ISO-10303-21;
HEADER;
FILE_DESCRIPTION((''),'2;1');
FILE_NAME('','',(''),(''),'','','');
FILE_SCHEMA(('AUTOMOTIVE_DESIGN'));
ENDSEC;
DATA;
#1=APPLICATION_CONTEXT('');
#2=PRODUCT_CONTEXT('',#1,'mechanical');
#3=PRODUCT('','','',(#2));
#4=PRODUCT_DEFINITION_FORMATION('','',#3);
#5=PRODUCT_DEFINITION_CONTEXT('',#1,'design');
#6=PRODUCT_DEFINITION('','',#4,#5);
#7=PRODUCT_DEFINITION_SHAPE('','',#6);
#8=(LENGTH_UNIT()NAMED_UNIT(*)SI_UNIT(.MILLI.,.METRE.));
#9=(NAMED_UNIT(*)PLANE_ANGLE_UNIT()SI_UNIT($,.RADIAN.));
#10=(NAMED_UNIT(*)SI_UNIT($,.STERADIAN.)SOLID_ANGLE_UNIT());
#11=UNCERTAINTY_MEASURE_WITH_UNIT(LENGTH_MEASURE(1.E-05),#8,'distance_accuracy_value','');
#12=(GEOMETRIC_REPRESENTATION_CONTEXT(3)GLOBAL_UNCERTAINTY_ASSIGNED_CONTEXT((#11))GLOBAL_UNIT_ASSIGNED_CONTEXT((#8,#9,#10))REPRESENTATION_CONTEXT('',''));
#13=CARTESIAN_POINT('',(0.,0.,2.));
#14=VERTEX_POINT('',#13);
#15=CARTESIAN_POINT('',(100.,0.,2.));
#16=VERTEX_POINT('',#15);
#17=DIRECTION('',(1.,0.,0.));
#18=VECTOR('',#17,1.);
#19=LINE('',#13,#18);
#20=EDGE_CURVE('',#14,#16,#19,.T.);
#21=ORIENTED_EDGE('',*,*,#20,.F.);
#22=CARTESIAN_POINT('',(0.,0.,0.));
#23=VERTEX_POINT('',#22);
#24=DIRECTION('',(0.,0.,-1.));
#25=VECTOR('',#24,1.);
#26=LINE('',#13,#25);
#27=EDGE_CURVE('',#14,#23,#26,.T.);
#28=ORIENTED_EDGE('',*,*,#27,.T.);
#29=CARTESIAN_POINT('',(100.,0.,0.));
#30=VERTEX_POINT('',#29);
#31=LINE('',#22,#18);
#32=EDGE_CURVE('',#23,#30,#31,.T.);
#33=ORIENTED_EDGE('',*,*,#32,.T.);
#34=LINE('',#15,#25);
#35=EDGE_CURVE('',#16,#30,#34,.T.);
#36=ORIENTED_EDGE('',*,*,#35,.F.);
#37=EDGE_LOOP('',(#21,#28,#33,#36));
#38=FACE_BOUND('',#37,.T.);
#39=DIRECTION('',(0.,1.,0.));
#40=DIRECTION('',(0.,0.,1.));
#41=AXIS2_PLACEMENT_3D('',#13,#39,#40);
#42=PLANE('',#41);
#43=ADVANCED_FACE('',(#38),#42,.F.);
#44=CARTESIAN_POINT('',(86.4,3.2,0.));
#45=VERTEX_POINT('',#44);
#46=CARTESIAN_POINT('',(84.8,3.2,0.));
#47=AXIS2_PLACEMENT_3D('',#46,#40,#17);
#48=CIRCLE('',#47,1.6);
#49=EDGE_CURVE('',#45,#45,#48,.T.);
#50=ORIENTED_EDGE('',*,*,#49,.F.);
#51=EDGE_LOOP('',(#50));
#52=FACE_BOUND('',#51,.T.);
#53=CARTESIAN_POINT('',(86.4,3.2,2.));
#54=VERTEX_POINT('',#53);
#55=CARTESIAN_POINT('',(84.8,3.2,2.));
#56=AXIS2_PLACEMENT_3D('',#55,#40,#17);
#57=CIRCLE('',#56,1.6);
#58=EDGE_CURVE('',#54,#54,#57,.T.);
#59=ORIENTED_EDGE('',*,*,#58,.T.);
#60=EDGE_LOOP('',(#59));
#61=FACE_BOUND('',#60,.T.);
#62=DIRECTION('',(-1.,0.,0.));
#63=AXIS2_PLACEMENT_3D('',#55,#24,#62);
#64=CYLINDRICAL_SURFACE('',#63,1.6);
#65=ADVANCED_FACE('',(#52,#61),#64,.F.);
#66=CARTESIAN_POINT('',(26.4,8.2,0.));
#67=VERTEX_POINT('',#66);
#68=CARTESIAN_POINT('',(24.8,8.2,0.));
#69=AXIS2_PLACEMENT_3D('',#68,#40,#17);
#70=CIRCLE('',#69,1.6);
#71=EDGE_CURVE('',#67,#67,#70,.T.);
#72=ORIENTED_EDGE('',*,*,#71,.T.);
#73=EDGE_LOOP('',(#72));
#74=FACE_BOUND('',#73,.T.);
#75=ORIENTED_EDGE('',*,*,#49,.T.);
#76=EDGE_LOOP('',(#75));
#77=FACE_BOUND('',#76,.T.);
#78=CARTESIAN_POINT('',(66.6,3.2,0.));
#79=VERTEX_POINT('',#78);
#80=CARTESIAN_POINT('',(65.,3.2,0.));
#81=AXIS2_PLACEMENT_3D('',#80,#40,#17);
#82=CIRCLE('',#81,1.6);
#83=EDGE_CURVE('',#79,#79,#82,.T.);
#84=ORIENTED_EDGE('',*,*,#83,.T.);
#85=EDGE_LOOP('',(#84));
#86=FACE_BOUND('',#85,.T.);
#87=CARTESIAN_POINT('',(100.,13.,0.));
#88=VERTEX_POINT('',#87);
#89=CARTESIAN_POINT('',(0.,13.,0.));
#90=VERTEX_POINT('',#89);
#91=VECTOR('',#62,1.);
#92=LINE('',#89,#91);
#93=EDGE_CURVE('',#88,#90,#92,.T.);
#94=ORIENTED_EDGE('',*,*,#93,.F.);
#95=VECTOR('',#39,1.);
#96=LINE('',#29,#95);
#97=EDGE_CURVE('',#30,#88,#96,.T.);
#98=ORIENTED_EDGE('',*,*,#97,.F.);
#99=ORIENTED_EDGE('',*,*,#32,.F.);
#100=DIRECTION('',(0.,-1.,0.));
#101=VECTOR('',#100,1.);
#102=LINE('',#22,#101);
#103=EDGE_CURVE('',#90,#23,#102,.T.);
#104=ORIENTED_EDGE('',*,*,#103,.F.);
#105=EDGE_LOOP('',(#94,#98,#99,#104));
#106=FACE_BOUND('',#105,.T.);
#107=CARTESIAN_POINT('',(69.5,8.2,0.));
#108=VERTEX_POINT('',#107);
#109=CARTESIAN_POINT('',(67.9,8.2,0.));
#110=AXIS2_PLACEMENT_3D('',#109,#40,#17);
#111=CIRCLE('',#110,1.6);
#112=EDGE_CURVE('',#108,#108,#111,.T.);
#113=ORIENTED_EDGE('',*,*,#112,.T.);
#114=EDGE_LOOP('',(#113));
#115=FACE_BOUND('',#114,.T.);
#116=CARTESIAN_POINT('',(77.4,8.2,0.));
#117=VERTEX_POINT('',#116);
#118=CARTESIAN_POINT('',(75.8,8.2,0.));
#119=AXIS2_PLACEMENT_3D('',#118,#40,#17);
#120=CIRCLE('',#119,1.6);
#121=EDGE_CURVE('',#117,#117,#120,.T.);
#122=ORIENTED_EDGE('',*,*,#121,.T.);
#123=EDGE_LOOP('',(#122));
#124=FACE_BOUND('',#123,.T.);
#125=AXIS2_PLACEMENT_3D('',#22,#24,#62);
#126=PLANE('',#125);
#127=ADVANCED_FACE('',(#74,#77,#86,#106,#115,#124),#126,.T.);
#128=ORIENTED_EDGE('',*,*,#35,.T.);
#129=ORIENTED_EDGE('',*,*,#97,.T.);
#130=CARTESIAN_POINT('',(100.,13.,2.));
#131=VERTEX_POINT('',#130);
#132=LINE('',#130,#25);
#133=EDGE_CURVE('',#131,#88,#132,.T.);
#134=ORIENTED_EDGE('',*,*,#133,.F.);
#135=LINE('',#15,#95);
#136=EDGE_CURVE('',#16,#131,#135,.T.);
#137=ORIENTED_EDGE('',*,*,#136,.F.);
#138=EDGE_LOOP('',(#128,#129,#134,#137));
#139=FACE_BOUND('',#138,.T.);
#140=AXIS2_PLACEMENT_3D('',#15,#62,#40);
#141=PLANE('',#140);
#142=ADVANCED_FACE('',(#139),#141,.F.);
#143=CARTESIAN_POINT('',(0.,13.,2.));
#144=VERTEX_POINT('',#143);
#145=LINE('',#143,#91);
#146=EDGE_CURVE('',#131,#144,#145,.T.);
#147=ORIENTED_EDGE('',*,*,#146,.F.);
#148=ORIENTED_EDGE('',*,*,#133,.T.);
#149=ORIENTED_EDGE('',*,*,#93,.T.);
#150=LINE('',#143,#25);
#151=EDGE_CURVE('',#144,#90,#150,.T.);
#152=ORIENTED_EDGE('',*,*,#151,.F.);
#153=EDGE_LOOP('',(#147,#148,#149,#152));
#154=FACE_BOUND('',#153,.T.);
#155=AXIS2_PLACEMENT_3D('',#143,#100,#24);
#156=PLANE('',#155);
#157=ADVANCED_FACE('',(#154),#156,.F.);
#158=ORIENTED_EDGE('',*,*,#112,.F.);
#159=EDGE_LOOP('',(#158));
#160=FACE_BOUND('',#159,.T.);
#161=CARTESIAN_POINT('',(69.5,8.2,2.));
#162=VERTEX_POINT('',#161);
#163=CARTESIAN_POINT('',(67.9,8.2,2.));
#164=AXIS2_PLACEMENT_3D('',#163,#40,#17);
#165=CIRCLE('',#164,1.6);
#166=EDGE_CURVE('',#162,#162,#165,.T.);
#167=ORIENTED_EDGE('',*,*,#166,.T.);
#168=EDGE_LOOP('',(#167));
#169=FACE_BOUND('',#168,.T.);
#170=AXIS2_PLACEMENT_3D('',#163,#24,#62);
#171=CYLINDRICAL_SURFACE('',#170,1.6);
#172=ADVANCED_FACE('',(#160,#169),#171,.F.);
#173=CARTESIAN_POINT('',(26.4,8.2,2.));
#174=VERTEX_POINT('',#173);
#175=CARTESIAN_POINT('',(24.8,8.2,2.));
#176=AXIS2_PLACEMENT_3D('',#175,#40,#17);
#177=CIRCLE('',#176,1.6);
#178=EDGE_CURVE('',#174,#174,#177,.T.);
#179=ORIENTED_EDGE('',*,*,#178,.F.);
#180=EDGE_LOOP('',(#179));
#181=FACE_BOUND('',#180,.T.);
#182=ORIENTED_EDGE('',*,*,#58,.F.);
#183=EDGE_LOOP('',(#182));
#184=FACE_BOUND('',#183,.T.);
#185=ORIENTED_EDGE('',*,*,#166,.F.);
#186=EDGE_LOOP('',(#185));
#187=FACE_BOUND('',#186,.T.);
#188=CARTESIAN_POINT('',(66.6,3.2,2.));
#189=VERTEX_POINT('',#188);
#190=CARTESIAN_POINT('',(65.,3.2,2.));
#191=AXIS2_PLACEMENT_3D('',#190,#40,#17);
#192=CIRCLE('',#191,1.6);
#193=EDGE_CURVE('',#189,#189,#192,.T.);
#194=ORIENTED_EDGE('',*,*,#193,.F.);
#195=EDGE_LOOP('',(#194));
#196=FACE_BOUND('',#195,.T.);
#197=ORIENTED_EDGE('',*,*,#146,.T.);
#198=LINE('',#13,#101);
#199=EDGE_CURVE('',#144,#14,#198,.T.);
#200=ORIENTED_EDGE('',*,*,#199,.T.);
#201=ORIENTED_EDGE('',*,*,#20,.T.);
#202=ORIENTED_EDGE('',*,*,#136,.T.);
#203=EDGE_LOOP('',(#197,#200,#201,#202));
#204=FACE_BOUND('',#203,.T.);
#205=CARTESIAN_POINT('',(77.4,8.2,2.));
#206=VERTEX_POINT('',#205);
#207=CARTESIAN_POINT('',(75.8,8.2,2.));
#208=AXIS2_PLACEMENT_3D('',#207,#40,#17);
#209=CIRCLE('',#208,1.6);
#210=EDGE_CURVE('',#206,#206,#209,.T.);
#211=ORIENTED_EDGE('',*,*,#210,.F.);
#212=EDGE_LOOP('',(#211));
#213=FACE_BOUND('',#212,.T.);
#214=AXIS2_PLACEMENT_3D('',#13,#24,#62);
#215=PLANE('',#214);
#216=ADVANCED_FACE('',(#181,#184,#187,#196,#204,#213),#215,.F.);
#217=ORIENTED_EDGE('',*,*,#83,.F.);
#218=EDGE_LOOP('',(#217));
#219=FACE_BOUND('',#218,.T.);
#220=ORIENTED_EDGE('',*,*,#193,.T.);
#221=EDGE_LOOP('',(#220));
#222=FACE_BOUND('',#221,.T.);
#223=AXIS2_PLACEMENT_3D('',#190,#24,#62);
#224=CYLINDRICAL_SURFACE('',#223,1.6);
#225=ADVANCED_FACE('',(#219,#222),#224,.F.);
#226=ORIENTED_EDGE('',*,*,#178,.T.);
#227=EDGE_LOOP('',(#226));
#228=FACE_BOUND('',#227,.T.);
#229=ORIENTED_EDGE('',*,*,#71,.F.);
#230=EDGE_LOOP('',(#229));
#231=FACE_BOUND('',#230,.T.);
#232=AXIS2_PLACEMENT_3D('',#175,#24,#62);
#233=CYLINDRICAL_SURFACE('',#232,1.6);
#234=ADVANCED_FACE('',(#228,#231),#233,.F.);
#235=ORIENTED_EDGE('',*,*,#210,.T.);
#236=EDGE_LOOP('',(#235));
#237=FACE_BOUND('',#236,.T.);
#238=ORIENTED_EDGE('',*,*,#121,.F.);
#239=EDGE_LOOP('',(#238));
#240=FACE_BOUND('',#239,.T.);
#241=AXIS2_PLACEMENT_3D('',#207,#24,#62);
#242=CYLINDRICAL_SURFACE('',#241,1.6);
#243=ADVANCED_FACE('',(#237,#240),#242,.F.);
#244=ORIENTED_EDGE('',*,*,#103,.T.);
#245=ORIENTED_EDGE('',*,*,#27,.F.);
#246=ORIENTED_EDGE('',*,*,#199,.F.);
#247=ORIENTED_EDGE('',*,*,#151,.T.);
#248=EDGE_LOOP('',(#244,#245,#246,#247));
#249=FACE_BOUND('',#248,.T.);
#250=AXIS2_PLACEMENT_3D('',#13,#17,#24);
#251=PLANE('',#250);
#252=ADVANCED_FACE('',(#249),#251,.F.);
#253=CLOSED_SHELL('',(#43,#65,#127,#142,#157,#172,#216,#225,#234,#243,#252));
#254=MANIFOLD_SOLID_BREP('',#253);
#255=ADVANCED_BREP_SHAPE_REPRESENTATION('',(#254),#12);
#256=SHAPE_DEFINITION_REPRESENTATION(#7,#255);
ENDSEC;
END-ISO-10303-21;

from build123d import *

# Parameters (mm, degrees)
SKETCH1_W           = 100
SKETCH1_H           = 13
SKETCH1_R           = 1.6
BOSS_EXTRUDE1_DEPTH = 2


with BuildPart() as part:
    # Sketch1 → Boss-Extrude1 (new body)
    with BuildSketch(Plane.XY):
        with Locations((50, 6.5)):
            Rectangle(SKETCH1_W, SKETCH1_H)
        with Locations((84.8, 3.2)):
            Circle(SKETCH1_R, mode=Mode.SUBTRACT)
        with Locations((75.8, 8.2)):
            Circle(SKETCH1_R, mode=Mode.SUBTRACT)
        with Locations((67.9, 8.2)):
            Circle(SKETCH1_R, mode=Mode.SUBTRACT)
        with Locations((65, 3.2)):
            Circle(SKETCH1_R, mode=Mode.SUBTRACT)
        with Locations((24.8, 8.2)):
            Circle(SKETCH1_R, mode=Mode.SUBTRACT)
    extrude(amount=BOSS_EXTRUDE1_DEPTH)


solid = part.part
